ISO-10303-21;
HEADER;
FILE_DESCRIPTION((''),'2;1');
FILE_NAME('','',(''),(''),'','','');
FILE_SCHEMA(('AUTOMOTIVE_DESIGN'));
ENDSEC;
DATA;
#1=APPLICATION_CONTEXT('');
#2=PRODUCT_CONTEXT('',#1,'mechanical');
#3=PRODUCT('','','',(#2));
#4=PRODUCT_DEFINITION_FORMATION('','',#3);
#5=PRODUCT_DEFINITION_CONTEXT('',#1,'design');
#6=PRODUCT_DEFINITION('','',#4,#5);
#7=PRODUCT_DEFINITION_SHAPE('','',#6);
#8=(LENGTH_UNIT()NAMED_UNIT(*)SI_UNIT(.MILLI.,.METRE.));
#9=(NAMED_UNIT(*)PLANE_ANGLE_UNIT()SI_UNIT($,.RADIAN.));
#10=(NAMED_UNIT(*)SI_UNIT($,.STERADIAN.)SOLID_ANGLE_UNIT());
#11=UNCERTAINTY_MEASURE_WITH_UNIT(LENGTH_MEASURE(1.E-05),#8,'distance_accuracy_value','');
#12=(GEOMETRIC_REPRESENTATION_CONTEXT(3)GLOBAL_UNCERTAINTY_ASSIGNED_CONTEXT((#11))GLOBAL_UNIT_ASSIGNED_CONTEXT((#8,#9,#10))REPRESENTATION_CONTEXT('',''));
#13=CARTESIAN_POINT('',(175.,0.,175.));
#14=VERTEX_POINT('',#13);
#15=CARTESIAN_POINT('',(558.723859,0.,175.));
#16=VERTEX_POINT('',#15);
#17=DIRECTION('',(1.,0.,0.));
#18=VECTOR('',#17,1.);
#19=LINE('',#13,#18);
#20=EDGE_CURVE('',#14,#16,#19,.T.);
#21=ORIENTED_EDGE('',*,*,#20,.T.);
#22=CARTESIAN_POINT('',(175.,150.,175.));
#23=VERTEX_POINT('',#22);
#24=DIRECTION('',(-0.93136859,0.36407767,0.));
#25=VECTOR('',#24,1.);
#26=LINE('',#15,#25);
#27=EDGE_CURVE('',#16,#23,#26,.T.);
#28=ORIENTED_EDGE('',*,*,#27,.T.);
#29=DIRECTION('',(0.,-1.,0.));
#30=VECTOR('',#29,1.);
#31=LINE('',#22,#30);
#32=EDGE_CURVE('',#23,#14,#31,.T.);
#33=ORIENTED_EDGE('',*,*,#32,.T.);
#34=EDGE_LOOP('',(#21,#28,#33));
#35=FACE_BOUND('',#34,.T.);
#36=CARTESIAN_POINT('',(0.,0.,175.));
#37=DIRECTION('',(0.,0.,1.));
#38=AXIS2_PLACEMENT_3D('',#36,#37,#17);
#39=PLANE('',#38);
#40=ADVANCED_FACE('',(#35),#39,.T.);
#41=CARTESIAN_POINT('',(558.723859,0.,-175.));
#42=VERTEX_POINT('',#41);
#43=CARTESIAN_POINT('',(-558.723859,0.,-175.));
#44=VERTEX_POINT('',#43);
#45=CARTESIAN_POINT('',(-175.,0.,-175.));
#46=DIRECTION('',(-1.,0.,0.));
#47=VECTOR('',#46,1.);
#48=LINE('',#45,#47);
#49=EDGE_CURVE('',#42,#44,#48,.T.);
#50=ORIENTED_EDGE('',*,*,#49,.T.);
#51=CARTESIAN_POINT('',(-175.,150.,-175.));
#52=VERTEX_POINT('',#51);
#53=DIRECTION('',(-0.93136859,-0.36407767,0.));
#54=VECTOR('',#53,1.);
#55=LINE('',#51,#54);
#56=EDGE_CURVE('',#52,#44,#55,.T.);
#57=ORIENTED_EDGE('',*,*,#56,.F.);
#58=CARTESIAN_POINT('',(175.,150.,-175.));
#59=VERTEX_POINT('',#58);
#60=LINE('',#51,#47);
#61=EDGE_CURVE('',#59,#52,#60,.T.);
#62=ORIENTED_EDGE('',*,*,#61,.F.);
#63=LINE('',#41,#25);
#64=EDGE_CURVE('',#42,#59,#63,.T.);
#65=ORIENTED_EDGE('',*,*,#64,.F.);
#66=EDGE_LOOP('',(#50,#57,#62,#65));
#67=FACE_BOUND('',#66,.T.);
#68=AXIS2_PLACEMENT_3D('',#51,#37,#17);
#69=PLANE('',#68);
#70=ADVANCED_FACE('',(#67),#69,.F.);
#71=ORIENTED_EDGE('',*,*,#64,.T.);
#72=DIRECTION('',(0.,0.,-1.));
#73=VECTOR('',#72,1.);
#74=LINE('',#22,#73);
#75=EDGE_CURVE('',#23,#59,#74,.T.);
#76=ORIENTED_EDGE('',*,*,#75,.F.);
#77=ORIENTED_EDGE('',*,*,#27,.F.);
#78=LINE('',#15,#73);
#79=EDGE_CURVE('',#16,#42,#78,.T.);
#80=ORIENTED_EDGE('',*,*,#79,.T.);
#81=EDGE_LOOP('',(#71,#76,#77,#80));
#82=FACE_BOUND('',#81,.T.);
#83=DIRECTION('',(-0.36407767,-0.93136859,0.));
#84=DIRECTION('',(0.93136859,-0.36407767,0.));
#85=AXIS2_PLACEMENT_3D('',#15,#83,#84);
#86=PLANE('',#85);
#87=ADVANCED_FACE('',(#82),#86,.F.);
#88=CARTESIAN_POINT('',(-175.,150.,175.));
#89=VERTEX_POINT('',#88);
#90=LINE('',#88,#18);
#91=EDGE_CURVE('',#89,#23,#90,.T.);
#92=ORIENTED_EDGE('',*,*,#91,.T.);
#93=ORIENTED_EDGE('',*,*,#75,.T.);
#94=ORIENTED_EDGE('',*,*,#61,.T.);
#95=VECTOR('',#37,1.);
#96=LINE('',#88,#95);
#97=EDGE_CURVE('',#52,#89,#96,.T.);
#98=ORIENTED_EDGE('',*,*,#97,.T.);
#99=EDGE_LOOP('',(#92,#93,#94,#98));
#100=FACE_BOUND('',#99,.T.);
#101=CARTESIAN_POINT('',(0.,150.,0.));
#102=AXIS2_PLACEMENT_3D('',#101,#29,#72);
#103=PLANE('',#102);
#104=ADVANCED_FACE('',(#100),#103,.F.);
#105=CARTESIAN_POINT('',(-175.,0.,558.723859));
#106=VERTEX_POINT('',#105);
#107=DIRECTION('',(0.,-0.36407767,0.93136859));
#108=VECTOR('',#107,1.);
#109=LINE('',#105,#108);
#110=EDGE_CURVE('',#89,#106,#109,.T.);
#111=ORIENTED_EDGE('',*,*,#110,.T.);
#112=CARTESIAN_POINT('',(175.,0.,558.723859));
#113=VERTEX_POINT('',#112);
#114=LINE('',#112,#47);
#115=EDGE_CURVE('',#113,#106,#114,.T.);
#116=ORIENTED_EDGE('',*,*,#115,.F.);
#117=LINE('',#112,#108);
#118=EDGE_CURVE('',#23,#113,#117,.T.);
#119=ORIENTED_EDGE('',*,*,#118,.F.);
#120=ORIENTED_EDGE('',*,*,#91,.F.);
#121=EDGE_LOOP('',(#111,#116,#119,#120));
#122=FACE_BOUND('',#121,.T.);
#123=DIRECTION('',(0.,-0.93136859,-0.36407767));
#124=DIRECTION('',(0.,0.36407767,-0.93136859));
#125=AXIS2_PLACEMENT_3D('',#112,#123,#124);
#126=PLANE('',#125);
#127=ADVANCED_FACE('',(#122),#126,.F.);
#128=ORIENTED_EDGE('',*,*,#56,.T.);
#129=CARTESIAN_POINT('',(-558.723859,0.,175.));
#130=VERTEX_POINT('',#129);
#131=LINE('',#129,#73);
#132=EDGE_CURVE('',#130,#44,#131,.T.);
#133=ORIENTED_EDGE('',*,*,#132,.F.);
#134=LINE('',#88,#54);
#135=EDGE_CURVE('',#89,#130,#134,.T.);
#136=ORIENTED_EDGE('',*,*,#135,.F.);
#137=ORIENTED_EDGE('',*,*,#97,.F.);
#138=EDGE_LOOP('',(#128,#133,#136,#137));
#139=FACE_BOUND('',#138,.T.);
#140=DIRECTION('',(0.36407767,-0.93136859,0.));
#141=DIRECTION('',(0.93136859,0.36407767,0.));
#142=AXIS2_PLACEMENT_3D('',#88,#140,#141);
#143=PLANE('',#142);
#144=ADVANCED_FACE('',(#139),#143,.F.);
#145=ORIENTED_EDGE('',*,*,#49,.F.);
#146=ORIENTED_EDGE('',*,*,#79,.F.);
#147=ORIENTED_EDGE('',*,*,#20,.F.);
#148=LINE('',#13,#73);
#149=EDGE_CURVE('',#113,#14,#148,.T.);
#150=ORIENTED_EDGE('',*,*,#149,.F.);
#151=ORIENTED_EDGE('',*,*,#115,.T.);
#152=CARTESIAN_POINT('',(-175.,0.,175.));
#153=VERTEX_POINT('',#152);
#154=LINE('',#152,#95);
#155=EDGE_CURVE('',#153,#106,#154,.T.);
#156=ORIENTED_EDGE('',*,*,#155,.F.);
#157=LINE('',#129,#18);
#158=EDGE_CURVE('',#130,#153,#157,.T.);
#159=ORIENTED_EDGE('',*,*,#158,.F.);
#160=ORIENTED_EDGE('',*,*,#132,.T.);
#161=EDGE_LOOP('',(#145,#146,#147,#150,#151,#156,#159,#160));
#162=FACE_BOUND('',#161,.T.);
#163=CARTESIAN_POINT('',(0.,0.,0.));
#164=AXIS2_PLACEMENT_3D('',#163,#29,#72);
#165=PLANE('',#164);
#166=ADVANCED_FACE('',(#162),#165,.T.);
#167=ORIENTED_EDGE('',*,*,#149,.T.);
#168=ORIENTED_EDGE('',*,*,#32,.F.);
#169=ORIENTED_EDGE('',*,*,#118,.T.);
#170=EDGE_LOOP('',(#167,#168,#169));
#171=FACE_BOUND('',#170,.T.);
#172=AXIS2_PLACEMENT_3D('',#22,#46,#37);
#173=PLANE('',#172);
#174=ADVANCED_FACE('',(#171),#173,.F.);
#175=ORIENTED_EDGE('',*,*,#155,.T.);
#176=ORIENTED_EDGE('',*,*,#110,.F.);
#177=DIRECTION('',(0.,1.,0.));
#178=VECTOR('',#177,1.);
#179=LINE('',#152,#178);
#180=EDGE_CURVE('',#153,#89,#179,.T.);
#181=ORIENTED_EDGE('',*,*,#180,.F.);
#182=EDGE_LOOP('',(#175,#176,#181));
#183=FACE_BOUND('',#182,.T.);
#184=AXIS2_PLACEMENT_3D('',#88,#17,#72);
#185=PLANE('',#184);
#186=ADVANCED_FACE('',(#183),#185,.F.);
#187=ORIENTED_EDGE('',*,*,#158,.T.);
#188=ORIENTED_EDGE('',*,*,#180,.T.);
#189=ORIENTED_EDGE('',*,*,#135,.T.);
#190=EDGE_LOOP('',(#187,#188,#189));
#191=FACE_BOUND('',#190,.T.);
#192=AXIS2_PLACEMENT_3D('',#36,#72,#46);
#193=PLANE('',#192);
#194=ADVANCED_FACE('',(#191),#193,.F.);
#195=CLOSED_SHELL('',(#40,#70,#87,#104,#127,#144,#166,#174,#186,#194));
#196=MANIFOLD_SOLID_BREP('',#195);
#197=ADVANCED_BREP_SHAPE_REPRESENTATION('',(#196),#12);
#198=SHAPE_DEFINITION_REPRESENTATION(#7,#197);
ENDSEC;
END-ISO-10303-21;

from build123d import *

# Parameters (mm, degrees)
SKETCH1_W           = 350
SKETCH1_H           = 350
BOSS_EXTRUDE1_DEPTH = 150
BOSS_EXTRUDE2_DEPTH = 175
BOSS_EXTRUDE3_DEPTH = 175


with BuildPart() as part:
    # Sketch1 → Boss-Extrude1 (new body)
    with BuildSketch(Plane(origin=(0, 0, 0), x_dir=(1, 0, 0), z_dir=(0, 1, 0))):
        Rectangle(SKETCH1_W, SKETCH1_H)
    extrude(amount=BOSS_EXTRUDE1_DEPTH)

    # Sketch2 → Boss-Extrude2 (add, symmetric)
    with BuildSketch(Plane(origin=(0, 0, 0), x_dir=(0, 0, -1), z_dir=(1, 0, 0))):
        Polygon((-175, 150), (-175, 0), (-558.723859044, 0), align=None)
    extrude(amount=BOSS_EXTRUDE2_DEPTH, both=True)

    # Sketch3 → Boss-Extrude3 (add, symmetric)
    with BuildSketch(Plane.XY):
        Polygon((-175, 150), (-558.723859044, 0), (-175, 0), align=None)
        Polygon((175, 150), (175, 0), (558.723859044, 0), align=None)
    extrude(amount=BOSS_EXTRUDE3_DEPTH, both=True)


solid = part.part
